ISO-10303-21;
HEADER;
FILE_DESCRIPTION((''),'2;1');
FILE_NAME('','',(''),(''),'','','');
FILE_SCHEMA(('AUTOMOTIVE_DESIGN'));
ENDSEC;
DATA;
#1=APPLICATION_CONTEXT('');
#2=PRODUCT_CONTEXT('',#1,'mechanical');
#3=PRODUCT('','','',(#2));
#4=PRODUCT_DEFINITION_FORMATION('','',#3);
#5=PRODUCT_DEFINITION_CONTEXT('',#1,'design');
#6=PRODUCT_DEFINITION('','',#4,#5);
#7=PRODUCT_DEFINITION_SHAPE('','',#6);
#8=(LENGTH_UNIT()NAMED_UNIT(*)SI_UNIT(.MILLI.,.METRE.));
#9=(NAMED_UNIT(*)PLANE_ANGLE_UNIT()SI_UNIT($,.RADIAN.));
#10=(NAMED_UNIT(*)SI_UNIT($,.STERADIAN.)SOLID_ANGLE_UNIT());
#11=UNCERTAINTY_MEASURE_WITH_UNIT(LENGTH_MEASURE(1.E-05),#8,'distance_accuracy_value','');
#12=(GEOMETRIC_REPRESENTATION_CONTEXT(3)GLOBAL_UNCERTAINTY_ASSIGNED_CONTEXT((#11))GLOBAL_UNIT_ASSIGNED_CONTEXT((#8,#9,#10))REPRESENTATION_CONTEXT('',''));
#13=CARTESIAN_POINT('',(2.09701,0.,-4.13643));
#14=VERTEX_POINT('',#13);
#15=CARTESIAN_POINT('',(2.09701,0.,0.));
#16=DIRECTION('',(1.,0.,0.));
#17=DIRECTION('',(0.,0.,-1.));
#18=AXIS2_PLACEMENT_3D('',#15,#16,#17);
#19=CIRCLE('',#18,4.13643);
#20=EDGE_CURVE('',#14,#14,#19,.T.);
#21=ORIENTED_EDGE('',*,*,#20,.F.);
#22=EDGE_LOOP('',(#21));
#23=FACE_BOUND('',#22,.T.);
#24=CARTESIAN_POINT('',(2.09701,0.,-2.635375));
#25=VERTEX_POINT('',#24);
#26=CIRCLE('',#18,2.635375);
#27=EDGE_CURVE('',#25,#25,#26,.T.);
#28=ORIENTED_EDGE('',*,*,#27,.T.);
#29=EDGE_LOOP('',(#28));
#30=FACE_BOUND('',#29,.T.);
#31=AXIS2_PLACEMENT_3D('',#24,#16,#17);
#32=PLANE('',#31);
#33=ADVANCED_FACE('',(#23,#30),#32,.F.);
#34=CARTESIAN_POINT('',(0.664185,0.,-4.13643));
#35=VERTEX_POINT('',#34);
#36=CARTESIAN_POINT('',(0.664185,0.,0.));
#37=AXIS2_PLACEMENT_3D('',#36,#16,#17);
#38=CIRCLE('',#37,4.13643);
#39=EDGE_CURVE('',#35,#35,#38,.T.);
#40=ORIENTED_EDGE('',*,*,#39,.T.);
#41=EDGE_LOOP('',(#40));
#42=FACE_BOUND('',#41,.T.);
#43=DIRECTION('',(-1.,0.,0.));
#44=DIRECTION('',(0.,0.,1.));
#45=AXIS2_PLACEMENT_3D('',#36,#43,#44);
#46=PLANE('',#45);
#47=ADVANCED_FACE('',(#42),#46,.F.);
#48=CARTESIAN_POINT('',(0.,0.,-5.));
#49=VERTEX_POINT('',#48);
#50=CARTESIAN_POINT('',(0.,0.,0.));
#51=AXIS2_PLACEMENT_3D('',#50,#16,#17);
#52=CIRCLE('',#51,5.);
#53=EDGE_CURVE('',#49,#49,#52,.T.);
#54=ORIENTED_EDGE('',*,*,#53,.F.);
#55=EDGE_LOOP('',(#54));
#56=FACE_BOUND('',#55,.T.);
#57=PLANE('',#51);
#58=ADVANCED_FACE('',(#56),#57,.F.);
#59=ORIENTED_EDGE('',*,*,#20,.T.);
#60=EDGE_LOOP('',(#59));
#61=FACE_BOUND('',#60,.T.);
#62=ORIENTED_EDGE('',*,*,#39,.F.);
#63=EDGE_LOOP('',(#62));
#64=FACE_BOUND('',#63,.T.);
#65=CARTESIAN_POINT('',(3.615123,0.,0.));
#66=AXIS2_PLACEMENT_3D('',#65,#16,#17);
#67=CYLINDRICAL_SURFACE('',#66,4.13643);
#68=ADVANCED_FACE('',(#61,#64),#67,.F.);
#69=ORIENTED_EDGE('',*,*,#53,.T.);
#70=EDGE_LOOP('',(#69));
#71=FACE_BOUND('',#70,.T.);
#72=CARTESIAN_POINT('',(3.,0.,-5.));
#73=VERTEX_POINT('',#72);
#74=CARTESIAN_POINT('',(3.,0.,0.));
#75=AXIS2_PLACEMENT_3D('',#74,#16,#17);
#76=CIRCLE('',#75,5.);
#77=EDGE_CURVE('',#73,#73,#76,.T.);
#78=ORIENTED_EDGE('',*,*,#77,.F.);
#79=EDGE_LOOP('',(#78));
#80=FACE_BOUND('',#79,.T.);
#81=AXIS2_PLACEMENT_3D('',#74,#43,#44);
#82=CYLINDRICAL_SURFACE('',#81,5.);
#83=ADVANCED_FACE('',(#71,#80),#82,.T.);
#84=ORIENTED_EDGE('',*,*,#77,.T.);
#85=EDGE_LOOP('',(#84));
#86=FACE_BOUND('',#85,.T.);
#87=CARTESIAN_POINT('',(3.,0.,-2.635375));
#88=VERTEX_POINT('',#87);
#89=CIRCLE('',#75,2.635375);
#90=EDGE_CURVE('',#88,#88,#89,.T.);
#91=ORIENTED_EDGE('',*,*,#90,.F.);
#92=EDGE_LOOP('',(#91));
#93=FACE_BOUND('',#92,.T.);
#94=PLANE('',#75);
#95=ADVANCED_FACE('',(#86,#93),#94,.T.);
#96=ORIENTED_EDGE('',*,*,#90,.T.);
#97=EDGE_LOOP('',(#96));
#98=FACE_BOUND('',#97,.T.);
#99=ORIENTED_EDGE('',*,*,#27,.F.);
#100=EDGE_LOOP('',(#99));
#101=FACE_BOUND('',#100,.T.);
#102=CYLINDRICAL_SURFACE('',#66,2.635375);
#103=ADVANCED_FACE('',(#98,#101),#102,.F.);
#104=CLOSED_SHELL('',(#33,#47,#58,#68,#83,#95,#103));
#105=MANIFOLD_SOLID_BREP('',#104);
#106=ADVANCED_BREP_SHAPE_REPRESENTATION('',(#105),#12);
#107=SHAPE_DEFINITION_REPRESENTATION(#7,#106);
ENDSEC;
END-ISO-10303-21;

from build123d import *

# Parameters (mm, degrees)
SKETCH1_R           = 5
BOSS_EXTRUDE1_DEPTH = 3


with BuildPart() as part:
    # Sketch1 → Boss-Extrude1 (new body)
    with BuildSketch(Plane(origin=(0, 0, 0), x_dir=(0, 0, -1), z_dir=(1, 0, 0))):
        Circle(SKETCH1_R)
    extrude(amount=BOSS_EXTRUDE1_DEPTH)

    # Sketch2 → Cut-Revolve1 (revolve, cut)
    with BuildSketch(Plane(origin=(0, 0, 0), x_dir=(1, 0, 0), z_dir=(0, 1, 0))):
        Polygon((3, 2.635374789), (2.09701047, 2.635374789), (2.09701047, 4.136429685), (0.664185342, 4.136429685), (0.664185342, 0), (3.615122808, 0), (3.615122808, 2.635374789), align=None)
    revolve(axis=Axis((3.615122808, 0, 0), (-1, 0, 0)), mode=Mode.SUBTRACT)


solid = part.part
